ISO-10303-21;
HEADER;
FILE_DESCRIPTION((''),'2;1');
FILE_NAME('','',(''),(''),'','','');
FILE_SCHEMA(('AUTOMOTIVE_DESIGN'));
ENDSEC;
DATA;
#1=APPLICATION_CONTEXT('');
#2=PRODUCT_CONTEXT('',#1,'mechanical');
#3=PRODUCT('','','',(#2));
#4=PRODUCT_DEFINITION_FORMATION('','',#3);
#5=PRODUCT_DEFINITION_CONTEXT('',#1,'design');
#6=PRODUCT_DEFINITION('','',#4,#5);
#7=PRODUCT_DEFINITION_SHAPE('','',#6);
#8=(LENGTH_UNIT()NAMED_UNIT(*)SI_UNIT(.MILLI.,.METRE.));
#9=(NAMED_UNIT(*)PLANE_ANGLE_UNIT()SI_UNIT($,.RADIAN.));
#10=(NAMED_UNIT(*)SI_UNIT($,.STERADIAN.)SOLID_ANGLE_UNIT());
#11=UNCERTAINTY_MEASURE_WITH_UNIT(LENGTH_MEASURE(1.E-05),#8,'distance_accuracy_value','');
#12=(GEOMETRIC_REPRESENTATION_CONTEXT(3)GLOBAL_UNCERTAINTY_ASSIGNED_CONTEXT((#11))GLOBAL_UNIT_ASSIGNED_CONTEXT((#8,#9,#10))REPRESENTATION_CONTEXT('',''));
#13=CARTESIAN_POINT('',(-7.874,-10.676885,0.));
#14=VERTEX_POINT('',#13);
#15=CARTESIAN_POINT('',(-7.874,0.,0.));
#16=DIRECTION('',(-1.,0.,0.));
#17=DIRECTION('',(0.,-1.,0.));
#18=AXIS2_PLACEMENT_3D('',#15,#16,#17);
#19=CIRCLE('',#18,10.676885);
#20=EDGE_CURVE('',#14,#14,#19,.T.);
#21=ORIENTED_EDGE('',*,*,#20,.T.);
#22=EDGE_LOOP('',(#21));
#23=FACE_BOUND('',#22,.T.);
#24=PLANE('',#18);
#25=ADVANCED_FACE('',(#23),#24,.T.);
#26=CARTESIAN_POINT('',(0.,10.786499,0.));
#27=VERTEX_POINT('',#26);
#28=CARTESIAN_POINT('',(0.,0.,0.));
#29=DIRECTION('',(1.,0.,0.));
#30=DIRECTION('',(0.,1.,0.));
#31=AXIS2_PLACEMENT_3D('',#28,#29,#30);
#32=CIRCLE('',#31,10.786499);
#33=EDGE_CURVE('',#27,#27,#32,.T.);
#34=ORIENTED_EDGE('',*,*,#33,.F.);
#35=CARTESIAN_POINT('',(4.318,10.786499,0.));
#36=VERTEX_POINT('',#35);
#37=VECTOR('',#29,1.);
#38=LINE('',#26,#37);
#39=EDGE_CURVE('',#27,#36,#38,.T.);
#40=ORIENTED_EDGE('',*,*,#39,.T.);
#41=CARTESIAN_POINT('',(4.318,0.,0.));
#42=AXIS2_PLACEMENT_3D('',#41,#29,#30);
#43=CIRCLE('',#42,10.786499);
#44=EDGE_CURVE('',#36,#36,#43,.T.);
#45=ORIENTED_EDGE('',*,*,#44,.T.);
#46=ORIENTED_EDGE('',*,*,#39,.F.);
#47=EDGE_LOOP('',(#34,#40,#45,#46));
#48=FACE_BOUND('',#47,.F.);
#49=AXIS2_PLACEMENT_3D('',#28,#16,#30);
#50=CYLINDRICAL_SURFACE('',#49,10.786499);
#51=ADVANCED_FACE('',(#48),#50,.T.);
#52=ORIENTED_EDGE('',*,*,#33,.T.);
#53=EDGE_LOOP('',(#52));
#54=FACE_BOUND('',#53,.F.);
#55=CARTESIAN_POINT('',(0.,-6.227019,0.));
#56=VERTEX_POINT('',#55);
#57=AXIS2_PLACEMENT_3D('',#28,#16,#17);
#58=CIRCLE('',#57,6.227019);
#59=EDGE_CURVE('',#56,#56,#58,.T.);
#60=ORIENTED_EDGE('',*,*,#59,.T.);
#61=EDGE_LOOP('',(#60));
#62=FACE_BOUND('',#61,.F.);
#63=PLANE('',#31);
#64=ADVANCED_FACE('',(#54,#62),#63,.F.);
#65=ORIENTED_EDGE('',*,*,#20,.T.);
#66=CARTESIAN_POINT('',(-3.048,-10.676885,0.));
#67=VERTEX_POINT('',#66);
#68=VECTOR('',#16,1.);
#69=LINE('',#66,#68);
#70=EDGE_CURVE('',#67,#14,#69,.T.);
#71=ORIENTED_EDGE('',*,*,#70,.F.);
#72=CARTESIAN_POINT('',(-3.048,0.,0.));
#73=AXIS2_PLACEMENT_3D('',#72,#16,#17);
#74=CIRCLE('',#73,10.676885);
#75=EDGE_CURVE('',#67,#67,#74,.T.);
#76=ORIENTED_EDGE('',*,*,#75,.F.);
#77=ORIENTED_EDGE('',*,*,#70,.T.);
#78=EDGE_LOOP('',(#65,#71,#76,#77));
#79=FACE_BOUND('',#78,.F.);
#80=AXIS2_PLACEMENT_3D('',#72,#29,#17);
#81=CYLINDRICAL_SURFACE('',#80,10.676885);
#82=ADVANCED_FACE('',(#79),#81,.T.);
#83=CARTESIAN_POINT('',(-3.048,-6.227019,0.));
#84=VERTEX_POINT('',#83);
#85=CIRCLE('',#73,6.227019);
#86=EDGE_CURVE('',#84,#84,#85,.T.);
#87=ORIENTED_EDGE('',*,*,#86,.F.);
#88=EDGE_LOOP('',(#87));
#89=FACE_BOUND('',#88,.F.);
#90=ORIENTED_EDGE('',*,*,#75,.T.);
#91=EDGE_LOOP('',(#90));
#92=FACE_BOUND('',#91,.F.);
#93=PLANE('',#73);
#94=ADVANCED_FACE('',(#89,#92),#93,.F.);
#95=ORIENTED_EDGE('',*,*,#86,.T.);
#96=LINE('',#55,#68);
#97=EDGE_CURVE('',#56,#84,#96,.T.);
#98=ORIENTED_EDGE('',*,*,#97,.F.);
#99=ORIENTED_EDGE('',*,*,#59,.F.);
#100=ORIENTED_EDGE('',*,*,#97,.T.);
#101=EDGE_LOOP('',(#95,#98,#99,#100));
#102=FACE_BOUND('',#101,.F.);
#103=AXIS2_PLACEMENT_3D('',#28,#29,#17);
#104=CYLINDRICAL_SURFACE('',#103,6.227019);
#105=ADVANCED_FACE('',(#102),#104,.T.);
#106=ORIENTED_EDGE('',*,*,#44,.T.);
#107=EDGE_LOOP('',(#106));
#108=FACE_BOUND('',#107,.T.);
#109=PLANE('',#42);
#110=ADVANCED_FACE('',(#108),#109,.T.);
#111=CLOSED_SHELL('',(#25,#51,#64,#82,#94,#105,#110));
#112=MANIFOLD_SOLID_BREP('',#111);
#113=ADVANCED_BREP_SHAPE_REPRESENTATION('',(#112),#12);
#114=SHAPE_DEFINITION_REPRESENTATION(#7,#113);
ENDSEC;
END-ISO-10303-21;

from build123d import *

# Parameters (mm, degrees)
F0_R     = 10.7864986288
F1_DEPTH = 4.318
F2_R     = 6.2270192231
F3_DEPTH = 3.048
F4_R     = 10.6768853932
F4_R_2   = 6.2270192231
F5_DEPTH = 4.826


with BuildPart() as f1:
    # F0 (on Right) → F1 (new body)
    with BuildSketch(Plane.YZ):
        Circle(F0_R)
    extrude(amount=F1_DEPTH)

    # F2 (on face) → F3 (join)
    with BuildSketch(Plane(origin=(0, 0, 0), x_dir=(0, -1, 0), z_dir=(-1, 0, 0))):
        Circle(F2_R)
    extrude(amount=F3_DEPTH)

    # F4 (on face) → F5 (join)
    with BuildSketch(Plane(origin=(-3.048, 0, 0), x_dir=(0, -1, 0), z_dir=(-1, 0, 0))):
        Circle(F4_R)
        Circle(F4_R_2, mode=Mode.SUBTRACT)
        Circle(F4_R_2)
    extrude(amount=F5_DEPTH)


solid = f1.part
